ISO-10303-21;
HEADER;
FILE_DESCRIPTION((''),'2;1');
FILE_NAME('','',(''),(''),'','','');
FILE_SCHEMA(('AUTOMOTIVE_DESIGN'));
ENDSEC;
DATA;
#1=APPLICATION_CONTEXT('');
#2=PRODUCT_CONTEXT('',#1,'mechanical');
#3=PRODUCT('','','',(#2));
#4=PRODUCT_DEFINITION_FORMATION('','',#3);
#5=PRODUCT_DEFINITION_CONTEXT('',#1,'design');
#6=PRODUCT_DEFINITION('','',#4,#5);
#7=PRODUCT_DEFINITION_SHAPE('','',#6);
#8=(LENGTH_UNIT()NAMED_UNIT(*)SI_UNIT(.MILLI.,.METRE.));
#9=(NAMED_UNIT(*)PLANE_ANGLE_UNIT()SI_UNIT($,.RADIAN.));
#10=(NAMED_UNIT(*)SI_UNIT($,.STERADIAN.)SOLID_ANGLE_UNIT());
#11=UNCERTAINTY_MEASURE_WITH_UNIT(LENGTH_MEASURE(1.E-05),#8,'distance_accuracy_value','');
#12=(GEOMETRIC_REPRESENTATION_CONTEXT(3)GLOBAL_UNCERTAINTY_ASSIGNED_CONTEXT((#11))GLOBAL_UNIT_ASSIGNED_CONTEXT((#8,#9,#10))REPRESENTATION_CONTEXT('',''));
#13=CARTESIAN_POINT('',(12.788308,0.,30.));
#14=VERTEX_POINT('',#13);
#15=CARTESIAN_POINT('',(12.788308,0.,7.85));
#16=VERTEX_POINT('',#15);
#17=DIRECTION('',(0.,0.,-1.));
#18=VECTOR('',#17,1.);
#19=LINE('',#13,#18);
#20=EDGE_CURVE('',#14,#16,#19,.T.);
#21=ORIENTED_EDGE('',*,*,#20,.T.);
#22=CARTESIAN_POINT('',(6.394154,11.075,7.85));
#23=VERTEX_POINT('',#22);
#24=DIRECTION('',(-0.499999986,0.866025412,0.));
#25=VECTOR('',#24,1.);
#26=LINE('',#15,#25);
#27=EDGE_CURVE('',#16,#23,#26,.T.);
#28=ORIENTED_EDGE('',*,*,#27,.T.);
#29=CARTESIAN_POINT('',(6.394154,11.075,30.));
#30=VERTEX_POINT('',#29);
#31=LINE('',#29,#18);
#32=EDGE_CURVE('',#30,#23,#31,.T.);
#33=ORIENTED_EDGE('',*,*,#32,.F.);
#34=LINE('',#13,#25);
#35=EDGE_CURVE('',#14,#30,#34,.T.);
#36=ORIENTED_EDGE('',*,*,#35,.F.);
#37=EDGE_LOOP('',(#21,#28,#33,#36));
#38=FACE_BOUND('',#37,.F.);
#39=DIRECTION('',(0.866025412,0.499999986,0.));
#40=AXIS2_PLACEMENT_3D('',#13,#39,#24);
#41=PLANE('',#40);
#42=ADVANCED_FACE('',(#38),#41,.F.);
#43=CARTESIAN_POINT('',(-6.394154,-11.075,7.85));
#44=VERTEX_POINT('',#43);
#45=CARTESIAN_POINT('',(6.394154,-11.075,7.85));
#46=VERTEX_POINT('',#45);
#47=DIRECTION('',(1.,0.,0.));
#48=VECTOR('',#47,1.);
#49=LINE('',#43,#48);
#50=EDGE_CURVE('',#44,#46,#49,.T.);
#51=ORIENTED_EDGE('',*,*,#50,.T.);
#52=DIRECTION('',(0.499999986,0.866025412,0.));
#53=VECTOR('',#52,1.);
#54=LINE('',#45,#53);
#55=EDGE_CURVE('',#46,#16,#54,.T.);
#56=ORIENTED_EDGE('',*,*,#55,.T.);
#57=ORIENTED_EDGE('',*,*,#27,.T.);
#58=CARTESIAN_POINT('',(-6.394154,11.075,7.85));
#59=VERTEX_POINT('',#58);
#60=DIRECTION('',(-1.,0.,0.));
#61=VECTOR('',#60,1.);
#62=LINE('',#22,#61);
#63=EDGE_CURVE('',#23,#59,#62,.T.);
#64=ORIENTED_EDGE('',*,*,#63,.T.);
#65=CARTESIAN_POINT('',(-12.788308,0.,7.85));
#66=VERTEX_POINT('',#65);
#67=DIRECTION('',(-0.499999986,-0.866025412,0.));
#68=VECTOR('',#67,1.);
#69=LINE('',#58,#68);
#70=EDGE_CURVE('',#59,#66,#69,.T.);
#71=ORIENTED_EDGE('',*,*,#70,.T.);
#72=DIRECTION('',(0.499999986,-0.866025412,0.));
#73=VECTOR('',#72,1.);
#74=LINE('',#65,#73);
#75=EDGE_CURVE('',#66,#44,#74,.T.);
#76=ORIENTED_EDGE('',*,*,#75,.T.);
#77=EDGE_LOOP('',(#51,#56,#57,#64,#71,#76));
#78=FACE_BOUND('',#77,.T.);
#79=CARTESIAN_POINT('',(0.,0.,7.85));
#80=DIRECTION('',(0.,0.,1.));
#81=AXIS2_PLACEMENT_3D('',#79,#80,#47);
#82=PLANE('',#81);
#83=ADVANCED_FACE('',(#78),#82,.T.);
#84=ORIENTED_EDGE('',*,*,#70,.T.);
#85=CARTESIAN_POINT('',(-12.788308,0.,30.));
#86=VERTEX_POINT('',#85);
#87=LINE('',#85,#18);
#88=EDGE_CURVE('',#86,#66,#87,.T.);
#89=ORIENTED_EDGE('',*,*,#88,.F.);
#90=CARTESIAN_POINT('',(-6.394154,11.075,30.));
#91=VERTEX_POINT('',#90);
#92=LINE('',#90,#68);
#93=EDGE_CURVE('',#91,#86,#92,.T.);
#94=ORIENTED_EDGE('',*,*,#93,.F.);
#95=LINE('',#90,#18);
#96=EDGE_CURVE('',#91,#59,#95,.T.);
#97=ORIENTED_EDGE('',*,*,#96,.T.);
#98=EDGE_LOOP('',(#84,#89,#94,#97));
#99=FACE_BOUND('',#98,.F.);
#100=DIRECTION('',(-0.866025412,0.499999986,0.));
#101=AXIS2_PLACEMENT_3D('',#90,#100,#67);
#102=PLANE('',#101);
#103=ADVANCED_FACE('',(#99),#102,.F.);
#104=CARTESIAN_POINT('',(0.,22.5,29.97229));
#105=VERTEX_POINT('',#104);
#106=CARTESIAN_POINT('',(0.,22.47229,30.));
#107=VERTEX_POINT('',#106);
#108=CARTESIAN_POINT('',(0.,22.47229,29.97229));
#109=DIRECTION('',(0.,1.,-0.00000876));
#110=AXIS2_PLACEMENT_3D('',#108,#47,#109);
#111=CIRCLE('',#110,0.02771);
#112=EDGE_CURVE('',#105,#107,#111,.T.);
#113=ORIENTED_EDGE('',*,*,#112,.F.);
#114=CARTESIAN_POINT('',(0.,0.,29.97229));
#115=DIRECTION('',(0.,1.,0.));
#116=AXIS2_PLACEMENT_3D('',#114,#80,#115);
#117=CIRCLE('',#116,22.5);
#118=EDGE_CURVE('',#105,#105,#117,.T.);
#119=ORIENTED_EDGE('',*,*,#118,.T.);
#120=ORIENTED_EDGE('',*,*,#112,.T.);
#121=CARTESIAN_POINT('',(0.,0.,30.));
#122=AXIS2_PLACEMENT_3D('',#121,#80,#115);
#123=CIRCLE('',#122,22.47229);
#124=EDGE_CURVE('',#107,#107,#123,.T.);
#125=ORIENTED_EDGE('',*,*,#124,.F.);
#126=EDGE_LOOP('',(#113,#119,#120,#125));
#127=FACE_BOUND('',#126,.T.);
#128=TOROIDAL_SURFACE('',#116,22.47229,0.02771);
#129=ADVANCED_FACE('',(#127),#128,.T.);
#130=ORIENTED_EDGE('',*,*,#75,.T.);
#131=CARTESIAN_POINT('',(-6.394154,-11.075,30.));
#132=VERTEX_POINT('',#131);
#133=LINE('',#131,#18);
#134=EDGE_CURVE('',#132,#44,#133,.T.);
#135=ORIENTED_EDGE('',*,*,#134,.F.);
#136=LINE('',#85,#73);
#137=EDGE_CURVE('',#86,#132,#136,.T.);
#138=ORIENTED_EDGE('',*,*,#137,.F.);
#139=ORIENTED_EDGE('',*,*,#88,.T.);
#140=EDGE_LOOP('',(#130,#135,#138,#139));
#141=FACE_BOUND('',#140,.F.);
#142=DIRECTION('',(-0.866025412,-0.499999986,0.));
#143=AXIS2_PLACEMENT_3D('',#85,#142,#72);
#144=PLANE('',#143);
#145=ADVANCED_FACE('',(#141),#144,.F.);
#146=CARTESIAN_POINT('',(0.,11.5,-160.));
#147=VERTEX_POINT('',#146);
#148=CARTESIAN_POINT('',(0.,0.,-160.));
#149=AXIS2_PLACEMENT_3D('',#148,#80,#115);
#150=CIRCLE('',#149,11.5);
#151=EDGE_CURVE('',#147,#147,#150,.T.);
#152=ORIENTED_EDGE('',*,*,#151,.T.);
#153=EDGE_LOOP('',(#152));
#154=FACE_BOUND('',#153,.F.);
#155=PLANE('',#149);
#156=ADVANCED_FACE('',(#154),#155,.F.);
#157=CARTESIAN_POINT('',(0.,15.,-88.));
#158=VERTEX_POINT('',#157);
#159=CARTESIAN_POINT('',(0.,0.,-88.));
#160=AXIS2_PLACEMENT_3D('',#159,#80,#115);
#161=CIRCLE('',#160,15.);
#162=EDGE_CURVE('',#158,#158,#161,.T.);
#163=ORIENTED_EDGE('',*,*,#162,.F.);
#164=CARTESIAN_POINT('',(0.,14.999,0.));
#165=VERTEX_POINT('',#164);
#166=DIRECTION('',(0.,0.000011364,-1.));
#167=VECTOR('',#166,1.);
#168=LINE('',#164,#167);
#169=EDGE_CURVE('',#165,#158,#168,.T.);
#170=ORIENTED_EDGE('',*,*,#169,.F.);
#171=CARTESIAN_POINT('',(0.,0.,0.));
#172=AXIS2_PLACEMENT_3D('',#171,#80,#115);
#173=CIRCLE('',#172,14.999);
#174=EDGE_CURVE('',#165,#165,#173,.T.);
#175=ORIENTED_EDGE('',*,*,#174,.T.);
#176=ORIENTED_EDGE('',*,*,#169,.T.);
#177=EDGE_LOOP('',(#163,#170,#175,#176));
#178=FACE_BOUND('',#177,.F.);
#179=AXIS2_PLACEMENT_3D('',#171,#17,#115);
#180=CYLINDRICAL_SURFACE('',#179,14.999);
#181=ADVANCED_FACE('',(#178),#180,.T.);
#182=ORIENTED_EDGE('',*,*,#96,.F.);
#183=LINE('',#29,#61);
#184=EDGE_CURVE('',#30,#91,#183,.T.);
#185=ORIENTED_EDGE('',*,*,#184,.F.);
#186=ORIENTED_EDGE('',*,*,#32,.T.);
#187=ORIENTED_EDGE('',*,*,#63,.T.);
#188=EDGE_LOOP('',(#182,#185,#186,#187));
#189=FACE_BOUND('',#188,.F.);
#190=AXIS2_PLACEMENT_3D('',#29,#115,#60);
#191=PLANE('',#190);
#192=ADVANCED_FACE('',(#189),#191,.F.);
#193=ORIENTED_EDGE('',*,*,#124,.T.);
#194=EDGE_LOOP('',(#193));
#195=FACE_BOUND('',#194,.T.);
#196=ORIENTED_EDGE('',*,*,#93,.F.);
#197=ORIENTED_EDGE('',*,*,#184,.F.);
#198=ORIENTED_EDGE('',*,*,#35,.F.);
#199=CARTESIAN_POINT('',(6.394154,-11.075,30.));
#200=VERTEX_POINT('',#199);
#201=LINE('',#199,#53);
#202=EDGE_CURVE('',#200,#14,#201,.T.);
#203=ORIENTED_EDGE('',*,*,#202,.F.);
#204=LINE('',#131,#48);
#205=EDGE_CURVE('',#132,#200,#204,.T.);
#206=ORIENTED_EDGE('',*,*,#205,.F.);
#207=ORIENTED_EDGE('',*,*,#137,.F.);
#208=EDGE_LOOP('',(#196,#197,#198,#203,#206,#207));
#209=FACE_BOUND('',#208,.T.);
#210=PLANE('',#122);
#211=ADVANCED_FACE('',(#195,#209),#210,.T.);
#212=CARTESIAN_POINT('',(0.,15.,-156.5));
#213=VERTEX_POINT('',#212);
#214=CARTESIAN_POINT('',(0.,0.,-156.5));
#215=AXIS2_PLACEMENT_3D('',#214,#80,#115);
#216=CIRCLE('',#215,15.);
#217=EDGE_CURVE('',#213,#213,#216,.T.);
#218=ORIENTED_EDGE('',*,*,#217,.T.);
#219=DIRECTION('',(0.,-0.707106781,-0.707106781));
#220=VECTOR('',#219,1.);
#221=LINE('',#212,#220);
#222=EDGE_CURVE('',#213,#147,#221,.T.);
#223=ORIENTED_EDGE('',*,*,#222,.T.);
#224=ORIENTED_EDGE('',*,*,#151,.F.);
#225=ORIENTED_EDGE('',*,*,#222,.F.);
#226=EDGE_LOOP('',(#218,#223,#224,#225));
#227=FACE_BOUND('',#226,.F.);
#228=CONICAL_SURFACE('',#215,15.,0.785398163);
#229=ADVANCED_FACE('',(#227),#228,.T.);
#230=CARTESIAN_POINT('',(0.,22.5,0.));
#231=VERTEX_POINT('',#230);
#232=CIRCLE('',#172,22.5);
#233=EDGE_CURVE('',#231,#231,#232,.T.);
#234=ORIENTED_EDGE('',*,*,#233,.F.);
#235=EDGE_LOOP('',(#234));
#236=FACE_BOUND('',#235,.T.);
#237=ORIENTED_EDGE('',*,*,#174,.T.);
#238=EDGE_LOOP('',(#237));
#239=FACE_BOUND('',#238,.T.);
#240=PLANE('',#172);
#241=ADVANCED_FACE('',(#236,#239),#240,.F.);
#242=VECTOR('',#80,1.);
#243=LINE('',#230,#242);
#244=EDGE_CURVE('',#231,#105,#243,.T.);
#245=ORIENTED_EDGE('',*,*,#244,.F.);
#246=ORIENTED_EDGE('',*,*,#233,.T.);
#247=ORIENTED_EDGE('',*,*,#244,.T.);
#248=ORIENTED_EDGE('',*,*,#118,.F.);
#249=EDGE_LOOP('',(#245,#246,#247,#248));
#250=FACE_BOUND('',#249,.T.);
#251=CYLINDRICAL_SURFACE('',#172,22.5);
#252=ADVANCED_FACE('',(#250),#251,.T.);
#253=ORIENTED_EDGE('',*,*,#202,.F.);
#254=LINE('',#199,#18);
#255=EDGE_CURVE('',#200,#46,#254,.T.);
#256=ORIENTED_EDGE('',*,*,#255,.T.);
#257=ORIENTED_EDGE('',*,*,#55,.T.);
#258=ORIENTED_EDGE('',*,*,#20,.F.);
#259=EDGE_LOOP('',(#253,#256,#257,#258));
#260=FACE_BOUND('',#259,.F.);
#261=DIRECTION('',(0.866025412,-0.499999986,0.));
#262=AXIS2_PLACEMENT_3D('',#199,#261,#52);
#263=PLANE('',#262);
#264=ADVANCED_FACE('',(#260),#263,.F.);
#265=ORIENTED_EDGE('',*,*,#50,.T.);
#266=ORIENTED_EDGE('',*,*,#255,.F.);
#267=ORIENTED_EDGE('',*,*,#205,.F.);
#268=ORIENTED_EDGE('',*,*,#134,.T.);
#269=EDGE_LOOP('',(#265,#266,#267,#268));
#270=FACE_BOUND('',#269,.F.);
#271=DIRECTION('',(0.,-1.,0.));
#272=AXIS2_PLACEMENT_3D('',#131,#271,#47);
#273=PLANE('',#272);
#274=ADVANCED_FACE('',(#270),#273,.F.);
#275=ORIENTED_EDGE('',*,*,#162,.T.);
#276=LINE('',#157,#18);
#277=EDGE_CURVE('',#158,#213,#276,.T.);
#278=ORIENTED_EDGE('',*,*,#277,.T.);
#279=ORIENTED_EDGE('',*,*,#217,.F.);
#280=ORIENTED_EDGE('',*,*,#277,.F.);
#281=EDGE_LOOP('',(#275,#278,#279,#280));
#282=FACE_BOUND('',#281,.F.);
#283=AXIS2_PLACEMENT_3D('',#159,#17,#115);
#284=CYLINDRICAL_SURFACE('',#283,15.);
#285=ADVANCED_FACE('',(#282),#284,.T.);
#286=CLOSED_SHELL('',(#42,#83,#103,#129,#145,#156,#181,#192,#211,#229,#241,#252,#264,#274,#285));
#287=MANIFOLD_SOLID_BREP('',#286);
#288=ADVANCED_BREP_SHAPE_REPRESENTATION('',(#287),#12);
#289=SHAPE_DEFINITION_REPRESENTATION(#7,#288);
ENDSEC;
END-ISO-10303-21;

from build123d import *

# Parameters (mm, degrees)
POCKET_DEPTH = 22.15


with BuildPart() as part:
    # Sketch → Revolve (revolve)
    with BuildSketch(Plane.YZ):
        with BuildLine():
            Line((14.999, 0), (22.5, 0))
            Line((22.5, 0), (22.5, 29.97229))
            ThreePointArc((22.5, 29.97229), (22.491884, 29.991884), (22.47229, 30))
            Line((22.47229, 30), (0, 30))
            Line((0, -160), (0, 30))
            Line((11.5, -160), (0, -160))
            Line((15, -156.5), (11.5, -160))
            Line((15, -88), (15, -156.5))
            Line((14.999, 0), (15, -88))
        make_face()
    revolve(axis=Axis((0, 0, 0), (0, 0, 1)))

    # Sketch001 → Pocket (cut)
    with BuildSketch(Plane.XY.offset(30)):
        Polygon((12.788308, 0), (6.394154, 11.075), (-6.394154, 11.075), (-12.788308, 0), (-6.394154, -11.075), (6.394154, -11.075), align=None)
    extrude(amount=-POCKET_DEPTH, mode=Mode.SUBTRACT)


solid = part.part
